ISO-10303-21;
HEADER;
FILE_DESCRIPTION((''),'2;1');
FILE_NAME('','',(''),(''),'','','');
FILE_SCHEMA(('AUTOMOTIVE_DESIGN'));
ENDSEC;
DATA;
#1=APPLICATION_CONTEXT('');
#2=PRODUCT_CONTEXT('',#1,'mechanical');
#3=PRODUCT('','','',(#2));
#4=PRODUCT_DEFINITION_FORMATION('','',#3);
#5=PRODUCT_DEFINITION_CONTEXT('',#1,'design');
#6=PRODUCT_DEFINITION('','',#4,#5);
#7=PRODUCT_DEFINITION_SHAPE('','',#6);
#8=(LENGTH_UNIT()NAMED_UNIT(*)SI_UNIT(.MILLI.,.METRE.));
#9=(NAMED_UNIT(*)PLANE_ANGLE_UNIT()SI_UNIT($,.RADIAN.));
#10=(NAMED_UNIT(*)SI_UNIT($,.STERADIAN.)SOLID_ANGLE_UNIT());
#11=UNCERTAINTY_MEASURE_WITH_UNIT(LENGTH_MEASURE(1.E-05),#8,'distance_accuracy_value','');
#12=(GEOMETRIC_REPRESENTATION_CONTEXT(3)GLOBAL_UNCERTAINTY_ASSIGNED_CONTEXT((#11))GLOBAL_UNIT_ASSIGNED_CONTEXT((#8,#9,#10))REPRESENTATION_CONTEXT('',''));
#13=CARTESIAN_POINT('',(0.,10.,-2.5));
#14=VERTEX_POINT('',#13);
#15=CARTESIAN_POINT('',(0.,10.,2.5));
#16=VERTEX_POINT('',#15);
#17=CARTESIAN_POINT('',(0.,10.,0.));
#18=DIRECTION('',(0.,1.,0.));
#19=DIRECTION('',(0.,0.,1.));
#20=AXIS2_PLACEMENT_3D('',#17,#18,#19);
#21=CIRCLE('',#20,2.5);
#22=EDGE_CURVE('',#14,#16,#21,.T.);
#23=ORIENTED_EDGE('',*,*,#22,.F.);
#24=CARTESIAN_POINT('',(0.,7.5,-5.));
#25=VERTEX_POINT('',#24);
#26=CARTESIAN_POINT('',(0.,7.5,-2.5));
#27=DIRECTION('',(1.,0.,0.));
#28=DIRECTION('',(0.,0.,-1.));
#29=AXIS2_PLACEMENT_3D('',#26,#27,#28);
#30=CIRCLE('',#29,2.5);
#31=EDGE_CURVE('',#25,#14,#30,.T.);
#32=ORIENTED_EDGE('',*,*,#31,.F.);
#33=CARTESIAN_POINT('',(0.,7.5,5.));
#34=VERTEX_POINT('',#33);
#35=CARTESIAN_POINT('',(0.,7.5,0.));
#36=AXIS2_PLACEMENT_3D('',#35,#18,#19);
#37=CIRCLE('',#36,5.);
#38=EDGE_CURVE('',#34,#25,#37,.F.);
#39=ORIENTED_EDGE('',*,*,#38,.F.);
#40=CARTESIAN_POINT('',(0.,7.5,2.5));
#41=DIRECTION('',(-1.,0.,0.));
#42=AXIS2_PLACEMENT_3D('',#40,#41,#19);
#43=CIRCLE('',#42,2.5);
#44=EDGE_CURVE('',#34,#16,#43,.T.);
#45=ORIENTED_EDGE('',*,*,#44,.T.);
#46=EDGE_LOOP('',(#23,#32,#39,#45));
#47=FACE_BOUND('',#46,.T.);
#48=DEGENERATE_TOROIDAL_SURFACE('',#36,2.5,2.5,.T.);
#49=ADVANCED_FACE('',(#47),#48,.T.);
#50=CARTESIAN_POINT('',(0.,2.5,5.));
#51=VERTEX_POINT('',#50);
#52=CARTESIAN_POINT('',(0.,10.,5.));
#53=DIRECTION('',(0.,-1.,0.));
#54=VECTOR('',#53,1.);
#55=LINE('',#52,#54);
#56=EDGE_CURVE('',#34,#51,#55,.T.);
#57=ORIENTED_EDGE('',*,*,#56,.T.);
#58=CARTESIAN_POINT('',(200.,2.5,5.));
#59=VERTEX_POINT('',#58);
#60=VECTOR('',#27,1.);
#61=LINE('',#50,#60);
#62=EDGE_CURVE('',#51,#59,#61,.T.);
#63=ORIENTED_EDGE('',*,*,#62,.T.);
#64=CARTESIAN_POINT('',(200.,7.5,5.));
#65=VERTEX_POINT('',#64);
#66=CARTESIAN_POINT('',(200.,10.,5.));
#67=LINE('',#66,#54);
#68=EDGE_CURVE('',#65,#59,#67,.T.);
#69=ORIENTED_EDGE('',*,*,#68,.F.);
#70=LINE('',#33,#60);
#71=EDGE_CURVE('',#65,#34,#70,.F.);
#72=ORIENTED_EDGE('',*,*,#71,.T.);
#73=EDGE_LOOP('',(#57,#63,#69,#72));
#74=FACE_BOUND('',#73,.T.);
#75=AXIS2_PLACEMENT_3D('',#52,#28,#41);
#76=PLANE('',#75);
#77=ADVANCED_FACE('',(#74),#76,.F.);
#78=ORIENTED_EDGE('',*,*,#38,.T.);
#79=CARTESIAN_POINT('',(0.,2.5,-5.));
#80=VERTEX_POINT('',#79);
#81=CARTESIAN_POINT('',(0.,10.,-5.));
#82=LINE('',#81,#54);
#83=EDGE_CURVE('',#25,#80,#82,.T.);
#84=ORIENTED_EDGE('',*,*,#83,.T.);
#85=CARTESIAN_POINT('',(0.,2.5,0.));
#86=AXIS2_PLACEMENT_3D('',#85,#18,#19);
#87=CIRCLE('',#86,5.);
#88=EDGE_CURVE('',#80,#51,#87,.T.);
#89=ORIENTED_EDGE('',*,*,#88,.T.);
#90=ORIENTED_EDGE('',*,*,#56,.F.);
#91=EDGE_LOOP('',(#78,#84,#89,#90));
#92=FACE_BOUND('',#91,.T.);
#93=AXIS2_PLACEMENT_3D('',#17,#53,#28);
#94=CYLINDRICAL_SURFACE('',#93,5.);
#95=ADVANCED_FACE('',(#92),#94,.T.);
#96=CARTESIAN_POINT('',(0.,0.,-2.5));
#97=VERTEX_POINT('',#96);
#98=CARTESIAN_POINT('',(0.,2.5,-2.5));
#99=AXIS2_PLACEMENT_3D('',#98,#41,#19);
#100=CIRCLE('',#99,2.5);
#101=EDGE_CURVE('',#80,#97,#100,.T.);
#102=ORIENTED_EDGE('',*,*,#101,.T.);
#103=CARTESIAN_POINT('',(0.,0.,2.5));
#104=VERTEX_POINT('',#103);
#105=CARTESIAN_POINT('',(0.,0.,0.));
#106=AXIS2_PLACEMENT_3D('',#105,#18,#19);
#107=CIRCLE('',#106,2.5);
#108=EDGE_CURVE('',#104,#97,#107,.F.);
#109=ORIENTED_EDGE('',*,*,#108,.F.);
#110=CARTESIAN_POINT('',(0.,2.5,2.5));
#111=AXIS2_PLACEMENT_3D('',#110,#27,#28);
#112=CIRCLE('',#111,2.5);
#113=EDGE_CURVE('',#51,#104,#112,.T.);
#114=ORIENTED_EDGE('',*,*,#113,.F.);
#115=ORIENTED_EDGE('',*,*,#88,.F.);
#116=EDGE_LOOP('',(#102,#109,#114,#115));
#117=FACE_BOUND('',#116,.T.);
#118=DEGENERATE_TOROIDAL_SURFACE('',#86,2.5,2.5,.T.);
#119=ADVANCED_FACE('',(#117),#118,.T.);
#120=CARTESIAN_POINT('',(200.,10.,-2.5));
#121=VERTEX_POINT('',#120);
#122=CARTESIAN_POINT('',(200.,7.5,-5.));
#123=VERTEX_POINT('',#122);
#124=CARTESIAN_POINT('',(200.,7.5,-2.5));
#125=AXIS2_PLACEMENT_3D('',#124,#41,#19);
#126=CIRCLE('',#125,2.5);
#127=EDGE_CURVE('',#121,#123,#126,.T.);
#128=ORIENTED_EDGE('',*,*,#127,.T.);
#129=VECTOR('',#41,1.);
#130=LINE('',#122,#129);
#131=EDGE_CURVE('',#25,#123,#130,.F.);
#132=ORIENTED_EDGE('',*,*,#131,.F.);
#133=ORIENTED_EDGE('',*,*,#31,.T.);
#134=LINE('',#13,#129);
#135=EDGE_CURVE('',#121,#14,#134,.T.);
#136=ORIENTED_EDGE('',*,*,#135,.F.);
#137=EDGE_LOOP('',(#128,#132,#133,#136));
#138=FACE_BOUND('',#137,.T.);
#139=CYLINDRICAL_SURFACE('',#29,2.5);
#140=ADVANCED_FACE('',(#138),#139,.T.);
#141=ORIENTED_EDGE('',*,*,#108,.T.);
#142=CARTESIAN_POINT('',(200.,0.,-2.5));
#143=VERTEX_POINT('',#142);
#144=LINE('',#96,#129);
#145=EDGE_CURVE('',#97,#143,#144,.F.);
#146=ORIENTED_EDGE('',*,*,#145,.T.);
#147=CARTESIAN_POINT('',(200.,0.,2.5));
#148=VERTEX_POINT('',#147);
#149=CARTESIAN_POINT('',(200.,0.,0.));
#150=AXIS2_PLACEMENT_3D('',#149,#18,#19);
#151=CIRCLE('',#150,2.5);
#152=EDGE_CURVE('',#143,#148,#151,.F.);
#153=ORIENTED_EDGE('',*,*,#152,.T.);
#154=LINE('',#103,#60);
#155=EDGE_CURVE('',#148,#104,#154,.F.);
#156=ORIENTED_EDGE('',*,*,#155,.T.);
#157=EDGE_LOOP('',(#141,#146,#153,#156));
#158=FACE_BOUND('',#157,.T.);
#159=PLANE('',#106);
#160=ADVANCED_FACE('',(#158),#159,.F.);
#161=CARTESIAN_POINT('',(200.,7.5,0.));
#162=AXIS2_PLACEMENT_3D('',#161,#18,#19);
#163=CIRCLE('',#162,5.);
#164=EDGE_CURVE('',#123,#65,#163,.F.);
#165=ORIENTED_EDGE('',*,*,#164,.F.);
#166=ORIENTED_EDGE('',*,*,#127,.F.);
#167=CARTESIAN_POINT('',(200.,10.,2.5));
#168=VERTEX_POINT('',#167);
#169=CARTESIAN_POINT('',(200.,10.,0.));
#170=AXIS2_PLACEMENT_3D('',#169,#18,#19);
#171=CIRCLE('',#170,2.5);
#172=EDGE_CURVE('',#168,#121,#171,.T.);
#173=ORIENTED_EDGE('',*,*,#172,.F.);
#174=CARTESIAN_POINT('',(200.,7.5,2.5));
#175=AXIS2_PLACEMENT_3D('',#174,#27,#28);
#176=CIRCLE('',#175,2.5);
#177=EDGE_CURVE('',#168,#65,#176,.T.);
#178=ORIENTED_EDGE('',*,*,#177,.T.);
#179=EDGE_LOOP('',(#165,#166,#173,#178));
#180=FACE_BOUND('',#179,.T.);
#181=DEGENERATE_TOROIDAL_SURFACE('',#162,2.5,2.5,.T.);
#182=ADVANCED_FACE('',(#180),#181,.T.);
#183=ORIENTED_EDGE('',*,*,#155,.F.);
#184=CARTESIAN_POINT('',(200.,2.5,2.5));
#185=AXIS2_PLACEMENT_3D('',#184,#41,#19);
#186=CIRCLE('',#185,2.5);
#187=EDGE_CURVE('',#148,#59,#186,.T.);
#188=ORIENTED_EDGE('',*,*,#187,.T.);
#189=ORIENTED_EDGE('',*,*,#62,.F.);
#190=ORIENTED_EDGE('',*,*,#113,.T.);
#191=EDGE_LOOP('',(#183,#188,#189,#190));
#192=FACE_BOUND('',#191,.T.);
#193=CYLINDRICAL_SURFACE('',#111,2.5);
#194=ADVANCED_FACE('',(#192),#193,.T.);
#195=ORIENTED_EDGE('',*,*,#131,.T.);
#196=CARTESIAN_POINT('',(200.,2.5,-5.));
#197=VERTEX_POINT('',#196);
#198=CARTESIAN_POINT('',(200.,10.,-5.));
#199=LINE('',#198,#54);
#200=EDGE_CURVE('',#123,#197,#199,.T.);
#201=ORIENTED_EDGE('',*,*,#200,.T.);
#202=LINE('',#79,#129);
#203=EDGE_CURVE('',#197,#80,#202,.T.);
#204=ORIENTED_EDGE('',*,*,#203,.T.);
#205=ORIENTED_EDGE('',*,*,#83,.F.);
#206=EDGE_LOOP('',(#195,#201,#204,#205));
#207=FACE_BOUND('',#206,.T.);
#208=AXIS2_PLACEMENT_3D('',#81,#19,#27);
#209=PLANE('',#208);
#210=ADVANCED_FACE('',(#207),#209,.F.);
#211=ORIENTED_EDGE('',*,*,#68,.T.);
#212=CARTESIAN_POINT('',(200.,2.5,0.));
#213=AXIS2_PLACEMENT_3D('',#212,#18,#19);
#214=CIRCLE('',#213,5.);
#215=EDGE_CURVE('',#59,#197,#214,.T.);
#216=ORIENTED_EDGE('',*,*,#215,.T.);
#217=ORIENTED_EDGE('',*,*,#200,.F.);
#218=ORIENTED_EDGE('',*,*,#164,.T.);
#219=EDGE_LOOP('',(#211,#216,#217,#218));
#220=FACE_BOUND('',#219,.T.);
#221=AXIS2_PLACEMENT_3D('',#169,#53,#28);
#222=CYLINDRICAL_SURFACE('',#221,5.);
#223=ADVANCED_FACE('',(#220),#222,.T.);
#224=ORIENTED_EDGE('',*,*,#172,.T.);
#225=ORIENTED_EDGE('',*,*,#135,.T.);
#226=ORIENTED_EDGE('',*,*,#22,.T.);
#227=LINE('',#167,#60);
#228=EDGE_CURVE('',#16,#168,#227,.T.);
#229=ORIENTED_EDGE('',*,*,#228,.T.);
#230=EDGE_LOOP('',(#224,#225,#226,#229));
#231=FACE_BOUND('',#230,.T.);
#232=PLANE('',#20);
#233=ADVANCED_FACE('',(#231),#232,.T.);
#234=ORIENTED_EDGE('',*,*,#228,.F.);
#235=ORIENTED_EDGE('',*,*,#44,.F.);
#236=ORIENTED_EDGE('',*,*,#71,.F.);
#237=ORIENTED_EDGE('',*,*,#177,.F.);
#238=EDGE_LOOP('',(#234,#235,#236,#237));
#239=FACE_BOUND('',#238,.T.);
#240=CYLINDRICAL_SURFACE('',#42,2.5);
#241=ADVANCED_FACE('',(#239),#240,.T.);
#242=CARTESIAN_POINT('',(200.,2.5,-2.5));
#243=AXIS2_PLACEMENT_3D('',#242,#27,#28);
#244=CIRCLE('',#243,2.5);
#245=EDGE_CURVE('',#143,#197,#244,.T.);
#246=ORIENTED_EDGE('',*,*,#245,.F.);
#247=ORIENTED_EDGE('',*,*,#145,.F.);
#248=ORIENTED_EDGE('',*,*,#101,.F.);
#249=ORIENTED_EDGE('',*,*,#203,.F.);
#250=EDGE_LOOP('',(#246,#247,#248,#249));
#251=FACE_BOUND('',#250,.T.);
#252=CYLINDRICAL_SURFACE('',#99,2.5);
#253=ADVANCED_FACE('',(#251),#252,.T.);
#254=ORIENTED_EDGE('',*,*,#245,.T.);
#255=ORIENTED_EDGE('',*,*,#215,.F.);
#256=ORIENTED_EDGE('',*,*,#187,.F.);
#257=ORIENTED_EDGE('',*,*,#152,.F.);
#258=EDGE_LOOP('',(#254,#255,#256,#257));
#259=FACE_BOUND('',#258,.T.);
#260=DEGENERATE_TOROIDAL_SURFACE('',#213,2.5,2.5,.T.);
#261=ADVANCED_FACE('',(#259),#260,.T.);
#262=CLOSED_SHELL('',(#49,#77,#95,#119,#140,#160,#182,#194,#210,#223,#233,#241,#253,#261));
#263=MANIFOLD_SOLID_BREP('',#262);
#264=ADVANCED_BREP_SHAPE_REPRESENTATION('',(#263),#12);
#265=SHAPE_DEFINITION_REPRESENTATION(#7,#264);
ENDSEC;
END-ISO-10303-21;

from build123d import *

# Parameters (mm, degrees)
BOSS_EXTRUDE1_DEPTH = 10
FILLET1_R           = 2.5


with BuildPart() as part:
    # Sketch1 → Boss-Extrude1 (new body)
    with BuildSketch(Plane(origin=(0, 0, 0), x_dir=(1, 0, 0), z_dir=(0, 1, 0))):
        with BuildLine():
            Line((0, 5), (200, 5))
            ThreePointArc((200, 5), (205, 0), (200, -5))
            Line((200, -5), (0, -5))
            ThreePointArc((0, -5), (-5, 0), (0, 5))
        make_face()
    extrude(amount=BOSS_EXTRUDE1_DEPTH)

    # Fillet1
    fillet1_edges = [part.edges().sort_by_distance(p)[0] for p in [
        (205, 10, 0),
        (100, 10, -5),
        (-5, 10, 0),
        (100, 0, -5),
        (205, 0, 0),
        (100, 0, 5),
        (-5, 0, 0),
        (100, 10, 5),
    ]]
    fillet(fillet1_edges, radius=FILLET1_R)


solid = part.part
